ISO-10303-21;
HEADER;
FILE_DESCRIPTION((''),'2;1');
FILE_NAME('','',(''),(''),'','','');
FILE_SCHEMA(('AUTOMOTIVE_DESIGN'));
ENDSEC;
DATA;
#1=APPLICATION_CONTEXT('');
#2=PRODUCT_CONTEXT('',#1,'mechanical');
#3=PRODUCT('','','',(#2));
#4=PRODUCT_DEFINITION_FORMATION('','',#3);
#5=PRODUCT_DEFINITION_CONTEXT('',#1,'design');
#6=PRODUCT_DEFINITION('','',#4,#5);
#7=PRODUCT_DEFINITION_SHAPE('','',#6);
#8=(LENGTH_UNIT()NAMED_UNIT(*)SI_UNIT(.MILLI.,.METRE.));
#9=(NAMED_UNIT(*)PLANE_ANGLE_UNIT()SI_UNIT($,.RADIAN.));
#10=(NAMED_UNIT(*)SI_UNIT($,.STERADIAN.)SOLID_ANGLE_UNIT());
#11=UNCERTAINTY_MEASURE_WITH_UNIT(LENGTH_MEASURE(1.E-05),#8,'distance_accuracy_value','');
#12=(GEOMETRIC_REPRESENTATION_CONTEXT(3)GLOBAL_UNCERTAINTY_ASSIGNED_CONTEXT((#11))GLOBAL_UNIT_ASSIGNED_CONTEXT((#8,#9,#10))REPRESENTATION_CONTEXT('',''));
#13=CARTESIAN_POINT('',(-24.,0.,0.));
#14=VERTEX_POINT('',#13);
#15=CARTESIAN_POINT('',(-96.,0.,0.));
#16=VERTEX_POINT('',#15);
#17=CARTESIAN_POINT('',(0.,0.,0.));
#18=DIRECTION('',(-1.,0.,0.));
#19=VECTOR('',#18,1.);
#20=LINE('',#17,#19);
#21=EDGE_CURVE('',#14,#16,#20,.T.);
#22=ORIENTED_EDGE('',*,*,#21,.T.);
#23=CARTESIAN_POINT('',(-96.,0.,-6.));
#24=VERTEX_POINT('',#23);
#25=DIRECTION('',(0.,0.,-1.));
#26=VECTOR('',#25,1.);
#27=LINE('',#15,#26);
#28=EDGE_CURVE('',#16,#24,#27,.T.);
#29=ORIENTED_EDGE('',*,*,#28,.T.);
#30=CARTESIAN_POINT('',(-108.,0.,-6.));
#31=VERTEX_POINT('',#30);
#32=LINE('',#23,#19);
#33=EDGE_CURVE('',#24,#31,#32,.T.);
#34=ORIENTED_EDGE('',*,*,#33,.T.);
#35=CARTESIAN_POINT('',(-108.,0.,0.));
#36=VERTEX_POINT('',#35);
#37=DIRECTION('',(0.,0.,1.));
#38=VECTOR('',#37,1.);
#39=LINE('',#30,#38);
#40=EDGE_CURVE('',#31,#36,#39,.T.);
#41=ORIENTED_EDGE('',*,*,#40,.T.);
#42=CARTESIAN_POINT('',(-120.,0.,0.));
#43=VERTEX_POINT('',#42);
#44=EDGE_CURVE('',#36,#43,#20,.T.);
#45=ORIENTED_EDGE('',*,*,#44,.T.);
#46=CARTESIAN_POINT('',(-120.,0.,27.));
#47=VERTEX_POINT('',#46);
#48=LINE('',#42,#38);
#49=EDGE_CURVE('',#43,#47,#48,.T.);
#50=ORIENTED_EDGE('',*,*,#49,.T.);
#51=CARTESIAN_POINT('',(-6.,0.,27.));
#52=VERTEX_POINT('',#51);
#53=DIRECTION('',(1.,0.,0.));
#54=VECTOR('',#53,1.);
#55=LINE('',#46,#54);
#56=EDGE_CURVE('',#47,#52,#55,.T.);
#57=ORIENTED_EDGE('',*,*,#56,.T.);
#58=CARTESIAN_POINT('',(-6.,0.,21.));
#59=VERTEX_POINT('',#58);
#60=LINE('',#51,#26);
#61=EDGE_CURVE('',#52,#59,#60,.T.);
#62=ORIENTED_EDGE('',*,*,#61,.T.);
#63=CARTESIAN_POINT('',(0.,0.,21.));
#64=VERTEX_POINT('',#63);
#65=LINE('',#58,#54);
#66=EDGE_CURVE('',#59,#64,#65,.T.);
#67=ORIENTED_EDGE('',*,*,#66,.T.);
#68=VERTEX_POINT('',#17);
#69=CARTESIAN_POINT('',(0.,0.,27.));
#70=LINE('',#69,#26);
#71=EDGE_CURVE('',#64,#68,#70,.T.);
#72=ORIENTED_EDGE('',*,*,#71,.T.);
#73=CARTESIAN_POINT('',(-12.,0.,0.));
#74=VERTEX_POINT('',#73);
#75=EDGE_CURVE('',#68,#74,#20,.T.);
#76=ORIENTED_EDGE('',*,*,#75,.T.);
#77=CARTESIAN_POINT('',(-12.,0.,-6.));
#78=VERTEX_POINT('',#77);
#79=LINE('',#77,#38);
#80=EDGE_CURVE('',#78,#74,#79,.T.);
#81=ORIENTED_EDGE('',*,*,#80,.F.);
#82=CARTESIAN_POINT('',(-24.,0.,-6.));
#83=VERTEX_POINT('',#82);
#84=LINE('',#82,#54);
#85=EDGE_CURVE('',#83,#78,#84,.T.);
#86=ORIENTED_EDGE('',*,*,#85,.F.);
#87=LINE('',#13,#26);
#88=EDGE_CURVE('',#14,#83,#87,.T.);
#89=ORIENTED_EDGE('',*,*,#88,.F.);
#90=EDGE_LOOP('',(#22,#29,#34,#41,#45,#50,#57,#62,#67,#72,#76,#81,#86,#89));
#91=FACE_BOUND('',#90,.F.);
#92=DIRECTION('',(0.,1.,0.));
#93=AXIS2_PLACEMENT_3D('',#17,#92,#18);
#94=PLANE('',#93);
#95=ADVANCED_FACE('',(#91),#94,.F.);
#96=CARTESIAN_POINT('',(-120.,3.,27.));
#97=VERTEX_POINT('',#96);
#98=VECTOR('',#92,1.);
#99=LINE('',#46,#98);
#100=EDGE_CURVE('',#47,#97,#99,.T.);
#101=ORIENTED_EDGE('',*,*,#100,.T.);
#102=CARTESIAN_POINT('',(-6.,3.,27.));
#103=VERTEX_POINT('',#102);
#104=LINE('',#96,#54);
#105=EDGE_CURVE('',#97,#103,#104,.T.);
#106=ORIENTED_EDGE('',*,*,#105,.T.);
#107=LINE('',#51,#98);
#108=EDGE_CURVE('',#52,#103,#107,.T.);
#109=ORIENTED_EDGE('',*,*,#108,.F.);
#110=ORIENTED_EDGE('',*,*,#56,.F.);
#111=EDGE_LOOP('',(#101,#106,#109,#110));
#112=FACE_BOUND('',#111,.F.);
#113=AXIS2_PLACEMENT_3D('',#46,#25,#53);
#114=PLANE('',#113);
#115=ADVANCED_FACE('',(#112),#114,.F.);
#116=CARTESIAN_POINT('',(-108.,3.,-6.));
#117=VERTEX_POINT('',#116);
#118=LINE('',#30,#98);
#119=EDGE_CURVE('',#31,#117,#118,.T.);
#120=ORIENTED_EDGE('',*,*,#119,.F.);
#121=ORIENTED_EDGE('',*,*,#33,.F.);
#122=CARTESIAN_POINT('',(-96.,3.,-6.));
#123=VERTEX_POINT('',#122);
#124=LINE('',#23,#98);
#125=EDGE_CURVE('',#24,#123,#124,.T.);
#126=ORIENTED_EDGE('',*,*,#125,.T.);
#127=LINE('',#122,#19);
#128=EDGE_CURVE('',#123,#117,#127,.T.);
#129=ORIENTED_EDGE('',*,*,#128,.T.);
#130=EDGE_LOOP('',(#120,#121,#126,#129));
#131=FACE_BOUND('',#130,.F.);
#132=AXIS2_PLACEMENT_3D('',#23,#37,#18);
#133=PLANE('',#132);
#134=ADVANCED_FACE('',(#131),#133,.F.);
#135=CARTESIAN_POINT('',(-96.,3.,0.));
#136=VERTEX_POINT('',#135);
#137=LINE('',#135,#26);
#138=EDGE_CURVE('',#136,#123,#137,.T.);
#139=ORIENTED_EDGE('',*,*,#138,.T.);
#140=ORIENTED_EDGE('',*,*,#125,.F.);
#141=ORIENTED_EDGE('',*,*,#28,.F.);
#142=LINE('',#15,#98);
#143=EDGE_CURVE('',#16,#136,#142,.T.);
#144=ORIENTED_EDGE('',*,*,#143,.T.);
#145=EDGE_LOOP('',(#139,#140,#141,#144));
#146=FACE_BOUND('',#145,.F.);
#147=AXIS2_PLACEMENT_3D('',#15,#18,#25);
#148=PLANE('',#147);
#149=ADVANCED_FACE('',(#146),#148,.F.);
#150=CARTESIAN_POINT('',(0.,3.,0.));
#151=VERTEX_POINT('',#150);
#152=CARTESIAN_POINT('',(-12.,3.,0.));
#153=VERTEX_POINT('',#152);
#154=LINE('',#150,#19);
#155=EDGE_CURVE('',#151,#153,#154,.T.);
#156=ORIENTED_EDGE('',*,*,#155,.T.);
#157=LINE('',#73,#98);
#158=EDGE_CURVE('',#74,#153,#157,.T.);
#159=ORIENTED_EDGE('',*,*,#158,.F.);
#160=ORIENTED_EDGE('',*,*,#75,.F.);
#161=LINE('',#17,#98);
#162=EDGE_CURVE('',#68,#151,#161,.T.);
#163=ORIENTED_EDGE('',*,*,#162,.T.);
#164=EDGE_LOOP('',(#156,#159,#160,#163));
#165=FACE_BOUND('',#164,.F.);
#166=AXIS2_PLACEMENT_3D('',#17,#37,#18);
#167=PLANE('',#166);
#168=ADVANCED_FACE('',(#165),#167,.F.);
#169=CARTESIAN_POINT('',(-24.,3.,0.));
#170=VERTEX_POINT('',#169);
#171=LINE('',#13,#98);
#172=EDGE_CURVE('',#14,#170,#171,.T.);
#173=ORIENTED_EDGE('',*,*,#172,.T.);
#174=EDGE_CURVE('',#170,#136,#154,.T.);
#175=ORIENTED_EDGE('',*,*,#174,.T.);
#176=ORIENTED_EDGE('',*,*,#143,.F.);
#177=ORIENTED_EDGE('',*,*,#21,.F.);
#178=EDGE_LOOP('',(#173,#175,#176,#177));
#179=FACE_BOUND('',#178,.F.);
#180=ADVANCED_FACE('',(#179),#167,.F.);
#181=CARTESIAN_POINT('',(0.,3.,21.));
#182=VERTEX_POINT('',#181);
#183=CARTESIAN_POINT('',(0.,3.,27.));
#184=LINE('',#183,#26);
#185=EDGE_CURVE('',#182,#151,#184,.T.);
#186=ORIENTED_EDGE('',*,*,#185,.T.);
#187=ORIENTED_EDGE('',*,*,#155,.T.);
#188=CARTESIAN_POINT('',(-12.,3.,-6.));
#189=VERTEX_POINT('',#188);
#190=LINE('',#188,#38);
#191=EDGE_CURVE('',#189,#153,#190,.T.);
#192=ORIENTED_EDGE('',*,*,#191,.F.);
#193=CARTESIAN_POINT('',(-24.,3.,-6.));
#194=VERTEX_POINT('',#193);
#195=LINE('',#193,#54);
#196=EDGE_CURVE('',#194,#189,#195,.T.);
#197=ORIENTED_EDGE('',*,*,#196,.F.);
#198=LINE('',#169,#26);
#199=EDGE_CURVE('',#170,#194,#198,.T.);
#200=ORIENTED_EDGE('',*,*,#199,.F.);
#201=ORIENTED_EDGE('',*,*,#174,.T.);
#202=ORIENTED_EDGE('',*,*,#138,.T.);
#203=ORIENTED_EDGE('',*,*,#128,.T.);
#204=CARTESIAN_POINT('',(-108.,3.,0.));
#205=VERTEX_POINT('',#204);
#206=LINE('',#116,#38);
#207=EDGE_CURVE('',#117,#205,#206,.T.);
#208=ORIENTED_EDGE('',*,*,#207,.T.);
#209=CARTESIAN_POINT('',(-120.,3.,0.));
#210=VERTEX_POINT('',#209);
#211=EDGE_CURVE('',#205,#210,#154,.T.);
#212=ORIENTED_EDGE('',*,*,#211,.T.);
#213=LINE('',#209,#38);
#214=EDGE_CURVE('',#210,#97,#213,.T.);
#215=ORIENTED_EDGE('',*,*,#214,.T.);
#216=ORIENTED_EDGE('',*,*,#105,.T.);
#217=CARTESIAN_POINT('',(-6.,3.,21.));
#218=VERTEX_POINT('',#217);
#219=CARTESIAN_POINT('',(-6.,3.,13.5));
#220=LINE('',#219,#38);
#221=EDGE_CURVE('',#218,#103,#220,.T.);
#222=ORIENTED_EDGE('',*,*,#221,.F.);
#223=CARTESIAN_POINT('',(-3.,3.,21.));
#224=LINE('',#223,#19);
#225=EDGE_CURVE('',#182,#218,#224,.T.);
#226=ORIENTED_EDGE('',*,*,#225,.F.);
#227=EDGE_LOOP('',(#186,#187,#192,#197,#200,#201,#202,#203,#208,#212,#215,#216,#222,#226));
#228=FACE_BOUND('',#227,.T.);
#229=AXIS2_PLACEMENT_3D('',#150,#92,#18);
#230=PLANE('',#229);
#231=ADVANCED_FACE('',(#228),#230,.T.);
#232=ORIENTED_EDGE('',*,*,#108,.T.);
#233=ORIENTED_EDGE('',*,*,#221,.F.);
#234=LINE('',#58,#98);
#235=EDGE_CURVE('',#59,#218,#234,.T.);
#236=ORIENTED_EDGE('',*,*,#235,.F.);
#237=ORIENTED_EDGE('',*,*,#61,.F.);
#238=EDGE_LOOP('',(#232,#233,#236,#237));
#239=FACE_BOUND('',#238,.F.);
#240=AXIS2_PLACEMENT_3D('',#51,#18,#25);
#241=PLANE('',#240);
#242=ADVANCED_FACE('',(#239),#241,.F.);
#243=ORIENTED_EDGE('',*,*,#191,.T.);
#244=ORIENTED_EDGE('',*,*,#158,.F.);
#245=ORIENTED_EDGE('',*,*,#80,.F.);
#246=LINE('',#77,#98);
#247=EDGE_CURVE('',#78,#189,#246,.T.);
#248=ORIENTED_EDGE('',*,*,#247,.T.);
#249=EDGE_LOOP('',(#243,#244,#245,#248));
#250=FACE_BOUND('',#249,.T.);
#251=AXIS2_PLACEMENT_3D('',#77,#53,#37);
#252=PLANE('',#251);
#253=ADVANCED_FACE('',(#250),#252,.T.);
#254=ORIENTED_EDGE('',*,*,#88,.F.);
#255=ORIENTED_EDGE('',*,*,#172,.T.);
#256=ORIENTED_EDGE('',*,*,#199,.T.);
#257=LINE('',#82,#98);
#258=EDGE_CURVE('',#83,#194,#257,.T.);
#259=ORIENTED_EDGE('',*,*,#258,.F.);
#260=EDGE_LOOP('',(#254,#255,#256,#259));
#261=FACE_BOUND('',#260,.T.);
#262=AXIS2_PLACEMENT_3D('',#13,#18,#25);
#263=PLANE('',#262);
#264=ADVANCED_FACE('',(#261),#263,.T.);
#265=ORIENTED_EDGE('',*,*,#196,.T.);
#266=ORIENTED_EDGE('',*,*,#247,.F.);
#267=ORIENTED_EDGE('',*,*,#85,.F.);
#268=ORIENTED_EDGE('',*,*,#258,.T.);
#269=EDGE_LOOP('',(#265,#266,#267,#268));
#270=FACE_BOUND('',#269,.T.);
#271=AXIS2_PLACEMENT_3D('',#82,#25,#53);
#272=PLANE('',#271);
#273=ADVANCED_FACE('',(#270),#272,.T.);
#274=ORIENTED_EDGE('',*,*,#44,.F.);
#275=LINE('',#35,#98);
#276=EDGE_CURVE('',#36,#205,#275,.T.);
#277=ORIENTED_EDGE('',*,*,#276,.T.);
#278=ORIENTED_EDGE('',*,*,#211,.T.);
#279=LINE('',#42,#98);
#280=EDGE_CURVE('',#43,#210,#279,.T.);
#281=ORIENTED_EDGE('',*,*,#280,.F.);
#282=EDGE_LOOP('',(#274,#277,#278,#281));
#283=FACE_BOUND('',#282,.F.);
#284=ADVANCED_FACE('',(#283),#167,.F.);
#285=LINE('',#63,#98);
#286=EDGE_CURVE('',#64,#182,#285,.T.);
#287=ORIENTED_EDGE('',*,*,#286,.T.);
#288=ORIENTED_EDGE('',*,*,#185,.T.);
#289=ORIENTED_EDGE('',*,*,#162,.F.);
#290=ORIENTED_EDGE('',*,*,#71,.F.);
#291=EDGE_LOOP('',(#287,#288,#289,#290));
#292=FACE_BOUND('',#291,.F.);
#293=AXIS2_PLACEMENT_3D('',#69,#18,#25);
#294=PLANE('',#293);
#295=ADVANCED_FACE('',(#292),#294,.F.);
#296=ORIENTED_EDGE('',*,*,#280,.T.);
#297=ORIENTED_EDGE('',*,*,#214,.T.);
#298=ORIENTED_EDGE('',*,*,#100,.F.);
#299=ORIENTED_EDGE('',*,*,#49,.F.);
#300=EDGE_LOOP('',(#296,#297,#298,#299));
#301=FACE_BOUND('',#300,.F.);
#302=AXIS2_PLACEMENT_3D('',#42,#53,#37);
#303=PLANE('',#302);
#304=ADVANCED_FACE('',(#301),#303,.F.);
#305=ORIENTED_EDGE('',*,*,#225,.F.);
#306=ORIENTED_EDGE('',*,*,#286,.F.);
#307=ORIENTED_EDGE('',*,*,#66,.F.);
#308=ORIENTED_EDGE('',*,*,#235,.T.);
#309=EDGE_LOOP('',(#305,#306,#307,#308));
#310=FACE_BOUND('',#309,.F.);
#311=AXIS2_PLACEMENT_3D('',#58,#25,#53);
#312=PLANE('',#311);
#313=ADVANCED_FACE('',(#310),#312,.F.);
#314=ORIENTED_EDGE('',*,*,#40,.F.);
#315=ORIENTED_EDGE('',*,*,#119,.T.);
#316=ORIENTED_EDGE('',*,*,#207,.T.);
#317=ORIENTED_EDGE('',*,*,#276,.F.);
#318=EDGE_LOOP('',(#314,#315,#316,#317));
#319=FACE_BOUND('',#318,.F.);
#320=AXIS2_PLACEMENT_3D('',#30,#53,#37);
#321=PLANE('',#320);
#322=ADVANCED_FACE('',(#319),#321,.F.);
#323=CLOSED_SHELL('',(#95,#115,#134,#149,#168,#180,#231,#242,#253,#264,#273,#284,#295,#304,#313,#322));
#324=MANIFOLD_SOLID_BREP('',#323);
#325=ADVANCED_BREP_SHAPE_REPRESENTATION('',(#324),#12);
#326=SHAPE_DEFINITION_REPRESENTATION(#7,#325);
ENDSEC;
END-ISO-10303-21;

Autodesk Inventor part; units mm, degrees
ref_plane "YZ Plane" through (0, 0, 0) normal (1, 0, 0) x (0, 1, 0)
ref_plane "XZ Plane" through (0, 0, 0) normal (0, 1, 0) x (-1, 0, 0)
ref_plane "XY Plane" through (0, 0, 0) normal (0, 0, 1) x (1, 0, 0)
sketch "Sketch1" plane through (0, 0, 0) normal (0, 1, 0) x (-1, 0, 0)
  line L0 (0, 0) -> (120, 0)
  line L1 (120, 0) -> (120, 27)
  line L2 (120, 27) -> (0, 27)
  line L3 (0, 27) -> (0, 0)
  dimension "d5" = 120
  dimension "d6" = 27
extrude "Extrusion1" add sketch "Sketch1" along normal blind 3
sketch "Sketch2" plane through (0, 0, 0) normal (0, -1, 0) x (1, 0, 0)
  line L0 (-120, 27) -> (0, 27) projected
  line L1 (0, 27) -> (-6, 27)
  line L2 (-6, 27) -> (-6, 21)
  line L3 (-6, 21) -> (0, 21)
  line L4 (0, 21) -> (0, 27)
  point P0 (0, 0)
  dimension "d7" = 6
  dimension "d8" = 6
extrude "Extrusion2" cut sketch "Sketch2" along normal through all both and the other way through all
sketch "Sketch3" plane through (0, 0, 0) normal (0, -1, 0) x (1, 0, 0)
  line L0 (0, 0) -> (-120, 0) projected
  line L1 (-108, 0) -> (-96, 0)
  line L2 (-96, 0) -> (-96, -6)
  line L3 (-96, -6) -> (-108, -6)
  line L4 (-108, -6) -> (-108, 0)
  line L5 (-12, 0) -> (-24, 0)
  line L6 (-24, 0) -> (-24, -6)
  line L7 (-24, -6) -> (-12, -6)
  line L8 (-12, -6) -> (-12, 0)
  line L9 (0, 21) -> (0, 0) projected
  line L10 (-120, 0) -> (-120, 27) projected
  dimension "d11" = 12
  dimension "d12" = 6
  dimension "d13" = 12
  dimension "d14" = 6
  dimension "d15" = 12
  dimension "d16" = 12
extrude "Extrusion3" add sketch "Sketch3" against normal blind 3
properties part number "ramp-support"
